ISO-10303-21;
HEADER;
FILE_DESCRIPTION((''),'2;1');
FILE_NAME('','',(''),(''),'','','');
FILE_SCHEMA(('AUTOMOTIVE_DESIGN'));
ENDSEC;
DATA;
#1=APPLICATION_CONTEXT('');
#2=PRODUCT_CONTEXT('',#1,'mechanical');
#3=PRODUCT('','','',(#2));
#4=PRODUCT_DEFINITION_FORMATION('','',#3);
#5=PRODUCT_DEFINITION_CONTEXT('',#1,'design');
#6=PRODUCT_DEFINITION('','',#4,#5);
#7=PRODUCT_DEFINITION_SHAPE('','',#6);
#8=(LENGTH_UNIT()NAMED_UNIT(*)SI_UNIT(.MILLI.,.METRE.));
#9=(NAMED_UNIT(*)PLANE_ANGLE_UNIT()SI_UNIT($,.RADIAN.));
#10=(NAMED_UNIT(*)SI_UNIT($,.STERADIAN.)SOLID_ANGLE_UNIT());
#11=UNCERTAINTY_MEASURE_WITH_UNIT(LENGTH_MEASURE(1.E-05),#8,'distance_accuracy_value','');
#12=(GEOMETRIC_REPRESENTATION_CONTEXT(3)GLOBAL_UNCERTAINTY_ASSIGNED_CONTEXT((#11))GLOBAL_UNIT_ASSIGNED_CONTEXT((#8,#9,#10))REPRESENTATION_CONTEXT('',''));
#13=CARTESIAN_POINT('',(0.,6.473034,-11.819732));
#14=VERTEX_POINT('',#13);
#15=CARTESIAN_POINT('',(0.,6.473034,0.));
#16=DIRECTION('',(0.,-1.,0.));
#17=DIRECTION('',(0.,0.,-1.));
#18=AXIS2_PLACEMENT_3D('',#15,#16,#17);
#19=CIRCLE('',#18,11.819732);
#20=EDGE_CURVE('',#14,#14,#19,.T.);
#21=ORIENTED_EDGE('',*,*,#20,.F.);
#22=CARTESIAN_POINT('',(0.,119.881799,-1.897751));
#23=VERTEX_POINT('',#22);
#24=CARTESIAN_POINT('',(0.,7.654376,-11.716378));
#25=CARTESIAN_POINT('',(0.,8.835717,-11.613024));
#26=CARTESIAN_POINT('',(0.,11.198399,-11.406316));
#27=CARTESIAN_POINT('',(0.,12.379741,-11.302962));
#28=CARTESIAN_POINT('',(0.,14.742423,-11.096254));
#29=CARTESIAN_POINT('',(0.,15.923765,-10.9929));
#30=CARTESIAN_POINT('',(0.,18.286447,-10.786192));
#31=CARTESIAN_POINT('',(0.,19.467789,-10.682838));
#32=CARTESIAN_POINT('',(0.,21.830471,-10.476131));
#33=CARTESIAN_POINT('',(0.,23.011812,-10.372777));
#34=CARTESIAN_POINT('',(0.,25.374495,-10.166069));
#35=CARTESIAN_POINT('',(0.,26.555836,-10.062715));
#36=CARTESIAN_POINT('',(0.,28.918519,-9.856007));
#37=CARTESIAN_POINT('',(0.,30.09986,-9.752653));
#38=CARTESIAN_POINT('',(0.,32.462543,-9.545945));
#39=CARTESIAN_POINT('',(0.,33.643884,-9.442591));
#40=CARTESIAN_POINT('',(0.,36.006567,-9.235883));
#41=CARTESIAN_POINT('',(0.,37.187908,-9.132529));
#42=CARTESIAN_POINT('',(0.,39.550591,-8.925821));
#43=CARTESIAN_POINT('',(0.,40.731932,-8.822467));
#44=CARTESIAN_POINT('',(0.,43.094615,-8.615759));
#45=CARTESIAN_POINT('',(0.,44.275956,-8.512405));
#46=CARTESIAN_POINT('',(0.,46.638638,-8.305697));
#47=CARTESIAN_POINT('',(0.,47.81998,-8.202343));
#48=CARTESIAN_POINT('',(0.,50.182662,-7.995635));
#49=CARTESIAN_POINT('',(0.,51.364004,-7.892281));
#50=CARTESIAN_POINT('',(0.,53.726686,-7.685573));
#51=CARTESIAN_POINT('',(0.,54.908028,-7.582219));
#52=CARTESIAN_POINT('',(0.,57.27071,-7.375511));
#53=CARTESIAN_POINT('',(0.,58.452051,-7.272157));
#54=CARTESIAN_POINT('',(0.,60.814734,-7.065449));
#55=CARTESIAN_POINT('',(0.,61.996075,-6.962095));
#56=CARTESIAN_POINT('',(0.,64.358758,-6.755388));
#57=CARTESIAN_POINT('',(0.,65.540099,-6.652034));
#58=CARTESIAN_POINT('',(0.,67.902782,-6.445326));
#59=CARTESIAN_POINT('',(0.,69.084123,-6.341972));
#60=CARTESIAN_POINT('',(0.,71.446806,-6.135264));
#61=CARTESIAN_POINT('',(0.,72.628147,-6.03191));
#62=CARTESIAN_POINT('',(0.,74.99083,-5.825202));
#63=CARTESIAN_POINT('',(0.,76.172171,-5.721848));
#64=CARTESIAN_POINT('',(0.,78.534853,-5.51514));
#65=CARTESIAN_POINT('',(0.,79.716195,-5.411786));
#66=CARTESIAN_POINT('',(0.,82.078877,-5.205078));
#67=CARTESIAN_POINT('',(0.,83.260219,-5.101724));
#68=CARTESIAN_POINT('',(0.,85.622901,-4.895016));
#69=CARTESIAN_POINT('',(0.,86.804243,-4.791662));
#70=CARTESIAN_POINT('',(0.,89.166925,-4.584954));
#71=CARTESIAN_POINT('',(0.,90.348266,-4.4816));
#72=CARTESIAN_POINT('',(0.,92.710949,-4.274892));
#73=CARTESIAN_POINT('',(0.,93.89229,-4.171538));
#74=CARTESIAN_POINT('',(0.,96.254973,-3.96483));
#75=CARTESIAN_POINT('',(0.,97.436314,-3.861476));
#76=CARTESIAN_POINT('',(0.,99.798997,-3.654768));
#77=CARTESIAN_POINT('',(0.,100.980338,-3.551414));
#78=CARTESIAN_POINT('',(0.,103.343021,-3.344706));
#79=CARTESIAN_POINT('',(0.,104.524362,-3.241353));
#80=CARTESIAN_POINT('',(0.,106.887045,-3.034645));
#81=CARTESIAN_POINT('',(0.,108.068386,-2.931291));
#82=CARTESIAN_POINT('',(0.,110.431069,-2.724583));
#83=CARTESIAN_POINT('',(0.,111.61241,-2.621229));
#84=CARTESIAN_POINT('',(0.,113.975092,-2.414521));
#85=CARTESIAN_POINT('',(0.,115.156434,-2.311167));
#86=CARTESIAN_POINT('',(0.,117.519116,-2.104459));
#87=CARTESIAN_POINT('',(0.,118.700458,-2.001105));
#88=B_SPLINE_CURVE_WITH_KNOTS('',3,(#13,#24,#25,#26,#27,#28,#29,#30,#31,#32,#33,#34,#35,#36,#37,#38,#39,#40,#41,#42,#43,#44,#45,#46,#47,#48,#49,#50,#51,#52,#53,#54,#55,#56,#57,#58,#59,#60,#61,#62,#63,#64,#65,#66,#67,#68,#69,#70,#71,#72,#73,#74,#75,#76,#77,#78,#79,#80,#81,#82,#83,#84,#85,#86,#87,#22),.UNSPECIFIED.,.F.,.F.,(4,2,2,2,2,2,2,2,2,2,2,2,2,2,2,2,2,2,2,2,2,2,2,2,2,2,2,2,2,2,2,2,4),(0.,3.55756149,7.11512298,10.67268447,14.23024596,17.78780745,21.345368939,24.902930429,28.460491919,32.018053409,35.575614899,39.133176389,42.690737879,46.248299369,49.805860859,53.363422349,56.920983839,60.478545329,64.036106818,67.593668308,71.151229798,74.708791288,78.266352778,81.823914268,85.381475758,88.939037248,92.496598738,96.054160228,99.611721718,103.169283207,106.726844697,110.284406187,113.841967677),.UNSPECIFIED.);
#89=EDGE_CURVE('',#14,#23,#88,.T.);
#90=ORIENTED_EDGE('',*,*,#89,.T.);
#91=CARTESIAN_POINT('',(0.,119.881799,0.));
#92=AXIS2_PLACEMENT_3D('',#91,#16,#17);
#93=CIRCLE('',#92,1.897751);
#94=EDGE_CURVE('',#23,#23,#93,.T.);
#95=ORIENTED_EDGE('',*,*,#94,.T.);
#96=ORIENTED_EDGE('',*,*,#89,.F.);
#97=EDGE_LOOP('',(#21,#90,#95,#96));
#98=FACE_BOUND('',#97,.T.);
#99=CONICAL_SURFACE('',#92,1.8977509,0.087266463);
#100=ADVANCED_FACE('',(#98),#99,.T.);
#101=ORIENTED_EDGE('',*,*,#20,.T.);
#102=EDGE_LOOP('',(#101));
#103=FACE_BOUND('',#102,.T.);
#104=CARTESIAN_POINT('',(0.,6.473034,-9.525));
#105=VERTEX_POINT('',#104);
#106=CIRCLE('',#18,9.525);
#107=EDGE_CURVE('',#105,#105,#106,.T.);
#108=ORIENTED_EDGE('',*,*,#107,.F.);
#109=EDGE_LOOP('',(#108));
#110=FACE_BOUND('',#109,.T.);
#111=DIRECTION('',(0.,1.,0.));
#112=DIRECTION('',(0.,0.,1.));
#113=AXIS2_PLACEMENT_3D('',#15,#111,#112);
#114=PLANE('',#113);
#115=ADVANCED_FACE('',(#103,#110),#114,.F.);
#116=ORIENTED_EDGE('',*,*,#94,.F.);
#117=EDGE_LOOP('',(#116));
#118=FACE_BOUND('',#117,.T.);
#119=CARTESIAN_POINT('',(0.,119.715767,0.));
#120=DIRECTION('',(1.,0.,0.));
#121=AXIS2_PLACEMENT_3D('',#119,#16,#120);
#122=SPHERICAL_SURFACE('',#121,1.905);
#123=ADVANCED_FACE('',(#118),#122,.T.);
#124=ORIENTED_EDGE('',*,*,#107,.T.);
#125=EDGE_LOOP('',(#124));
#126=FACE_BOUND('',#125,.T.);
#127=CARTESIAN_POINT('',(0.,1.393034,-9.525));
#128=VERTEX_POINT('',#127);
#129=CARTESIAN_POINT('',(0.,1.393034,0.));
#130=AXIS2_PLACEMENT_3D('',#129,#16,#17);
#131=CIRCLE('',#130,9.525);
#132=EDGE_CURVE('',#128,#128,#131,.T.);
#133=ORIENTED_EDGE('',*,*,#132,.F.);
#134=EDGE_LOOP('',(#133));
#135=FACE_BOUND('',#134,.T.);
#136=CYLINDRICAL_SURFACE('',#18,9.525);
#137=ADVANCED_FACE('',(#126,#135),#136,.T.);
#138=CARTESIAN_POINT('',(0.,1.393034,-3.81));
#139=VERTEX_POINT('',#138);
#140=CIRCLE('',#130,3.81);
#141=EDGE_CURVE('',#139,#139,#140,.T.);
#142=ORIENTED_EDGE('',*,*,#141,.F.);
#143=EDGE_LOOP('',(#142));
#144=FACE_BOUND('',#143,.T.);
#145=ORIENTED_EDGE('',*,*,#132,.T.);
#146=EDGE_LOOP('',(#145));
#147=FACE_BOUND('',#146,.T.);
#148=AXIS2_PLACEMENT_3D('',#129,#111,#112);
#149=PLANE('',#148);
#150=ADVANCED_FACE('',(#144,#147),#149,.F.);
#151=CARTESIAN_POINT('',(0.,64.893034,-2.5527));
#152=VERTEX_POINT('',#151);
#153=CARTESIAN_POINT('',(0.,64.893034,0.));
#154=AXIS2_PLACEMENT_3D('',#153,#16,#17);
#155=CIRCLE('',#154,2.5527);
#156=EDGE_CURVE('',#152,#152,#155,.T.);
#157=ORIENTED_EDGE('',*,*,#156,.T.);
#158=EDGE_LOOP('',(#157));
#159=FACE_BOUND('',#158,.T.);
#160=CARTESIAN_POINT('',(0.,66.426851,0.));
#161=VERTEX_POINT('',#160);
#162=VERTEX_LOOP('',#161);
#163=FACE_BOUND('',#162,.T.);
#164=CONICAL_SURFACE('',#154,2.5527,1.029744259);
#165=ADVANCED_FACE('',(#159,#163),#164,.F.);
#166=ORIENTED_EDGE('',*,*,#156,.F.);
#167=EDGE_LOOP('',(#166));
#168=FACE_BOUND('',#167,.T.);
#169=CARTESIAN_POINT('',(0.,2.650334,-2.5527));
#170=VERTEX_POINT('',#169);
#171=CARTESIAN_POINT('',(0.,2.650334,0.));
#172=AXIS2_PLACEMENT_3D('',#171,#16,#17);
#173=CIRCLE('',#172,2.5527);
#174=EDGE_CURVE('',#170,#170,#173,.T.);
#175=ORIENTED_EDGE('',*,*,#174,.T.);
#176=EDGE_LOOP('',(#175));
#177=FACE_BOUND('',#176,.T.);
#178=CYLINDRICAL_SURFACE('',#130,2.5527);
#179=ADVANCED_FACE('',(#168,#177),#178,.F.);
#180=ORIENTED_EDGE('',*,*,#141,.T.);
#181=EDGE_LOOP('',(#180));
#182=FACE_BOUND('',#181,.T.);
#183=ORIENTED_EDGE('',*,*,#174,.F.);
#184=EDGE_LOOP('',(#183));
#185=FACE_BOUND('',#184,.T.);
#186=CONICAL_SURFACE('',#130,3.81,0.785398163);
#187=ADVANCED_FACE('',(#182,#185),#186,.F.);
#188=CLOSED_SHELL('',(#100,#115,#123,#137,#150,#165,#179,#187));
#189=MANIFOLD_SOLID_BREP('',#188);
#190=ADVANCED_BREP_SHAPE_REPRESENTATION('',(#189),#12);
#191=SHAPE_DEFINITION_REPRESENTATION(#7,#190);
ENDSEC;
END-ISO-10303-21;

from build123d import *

# Parameters (mm, degrees)
F_1_4_20_TAPPED_HOLE1_D           = 5.1054
F_1_4_20_TAPPED_HOLE1_DEPTH       = 63.5
F_1_4_20_TAPPED_HOLE1_CSINK_D     = 7.62
F_1_4_20_TAPPED_HOLE1_CSINK_ANGLE = 90
F_1_4_20_TAPPED_HOLE1_TIP         = 1.533816902


with BuildPart() as part:
    # Sketch2 → Revolve1 (revolve)
    with BuildSketch(Plane.XY, mode=Mode.PRIVATE) as revolve1_sk:
        with BuildLine():
            Line((0, 121.620767237), (0, 6.473034307))
            Line((0, 6.473034307), (0, 1.393034307))
            Line((0, 1.393034307), (9.525, 1.393034307))
            Line((9.525, 1.393034307), (9.525, 6.473034307))
            Line((9.525, 6.473034307), (11.819732149, 6.473034307))
            Line((11.819732149, 6.473034307), (1.8977509, 119.881798927))
            ThreePointArc((1.8977509, 119.881798927), (1.286999346, 121.120280564), (0, 121.620767237))
        make_face()
    revolve(revolve1_sk.sketch.rotate(Axis((0, 6.473034307, 0), (0, 1, 0)), 90), axis=Axis((0, 6.473034307, 0), (0, 1, 0)))

    # 1/4-20 Tapped Hole1
    with Locations(Plane.XZ.offset(-1.393034307)):
        with Locations((0, 0)):
            CounterSinkHole(F_1_4_20_TAPPED_HOLE1_D / 2, F_1_4_20_TAPPED_HOLE1_CSINK_D / 2, depth=F_1_4_20_TAPPED_HOLE1_DEPTH, counter_sink_angle=F_1_4_20_TAPPED_HOLE1_CSINK_ANGLE)
            with Locations((0, 0, -(F_1_4_20_TAPPED_HOLE1_DEPTH + F_1_4_20_TAPPED_HOLE1_TIP / 2))):  # 118° drill point
                Cone(0, F_1_4_20_TAPPED_HOLE1_D / 2, F_1_4_20_TAPPED_HOLE1_TIP, mode=Mode.SUBTRACT)


solid = part.part
